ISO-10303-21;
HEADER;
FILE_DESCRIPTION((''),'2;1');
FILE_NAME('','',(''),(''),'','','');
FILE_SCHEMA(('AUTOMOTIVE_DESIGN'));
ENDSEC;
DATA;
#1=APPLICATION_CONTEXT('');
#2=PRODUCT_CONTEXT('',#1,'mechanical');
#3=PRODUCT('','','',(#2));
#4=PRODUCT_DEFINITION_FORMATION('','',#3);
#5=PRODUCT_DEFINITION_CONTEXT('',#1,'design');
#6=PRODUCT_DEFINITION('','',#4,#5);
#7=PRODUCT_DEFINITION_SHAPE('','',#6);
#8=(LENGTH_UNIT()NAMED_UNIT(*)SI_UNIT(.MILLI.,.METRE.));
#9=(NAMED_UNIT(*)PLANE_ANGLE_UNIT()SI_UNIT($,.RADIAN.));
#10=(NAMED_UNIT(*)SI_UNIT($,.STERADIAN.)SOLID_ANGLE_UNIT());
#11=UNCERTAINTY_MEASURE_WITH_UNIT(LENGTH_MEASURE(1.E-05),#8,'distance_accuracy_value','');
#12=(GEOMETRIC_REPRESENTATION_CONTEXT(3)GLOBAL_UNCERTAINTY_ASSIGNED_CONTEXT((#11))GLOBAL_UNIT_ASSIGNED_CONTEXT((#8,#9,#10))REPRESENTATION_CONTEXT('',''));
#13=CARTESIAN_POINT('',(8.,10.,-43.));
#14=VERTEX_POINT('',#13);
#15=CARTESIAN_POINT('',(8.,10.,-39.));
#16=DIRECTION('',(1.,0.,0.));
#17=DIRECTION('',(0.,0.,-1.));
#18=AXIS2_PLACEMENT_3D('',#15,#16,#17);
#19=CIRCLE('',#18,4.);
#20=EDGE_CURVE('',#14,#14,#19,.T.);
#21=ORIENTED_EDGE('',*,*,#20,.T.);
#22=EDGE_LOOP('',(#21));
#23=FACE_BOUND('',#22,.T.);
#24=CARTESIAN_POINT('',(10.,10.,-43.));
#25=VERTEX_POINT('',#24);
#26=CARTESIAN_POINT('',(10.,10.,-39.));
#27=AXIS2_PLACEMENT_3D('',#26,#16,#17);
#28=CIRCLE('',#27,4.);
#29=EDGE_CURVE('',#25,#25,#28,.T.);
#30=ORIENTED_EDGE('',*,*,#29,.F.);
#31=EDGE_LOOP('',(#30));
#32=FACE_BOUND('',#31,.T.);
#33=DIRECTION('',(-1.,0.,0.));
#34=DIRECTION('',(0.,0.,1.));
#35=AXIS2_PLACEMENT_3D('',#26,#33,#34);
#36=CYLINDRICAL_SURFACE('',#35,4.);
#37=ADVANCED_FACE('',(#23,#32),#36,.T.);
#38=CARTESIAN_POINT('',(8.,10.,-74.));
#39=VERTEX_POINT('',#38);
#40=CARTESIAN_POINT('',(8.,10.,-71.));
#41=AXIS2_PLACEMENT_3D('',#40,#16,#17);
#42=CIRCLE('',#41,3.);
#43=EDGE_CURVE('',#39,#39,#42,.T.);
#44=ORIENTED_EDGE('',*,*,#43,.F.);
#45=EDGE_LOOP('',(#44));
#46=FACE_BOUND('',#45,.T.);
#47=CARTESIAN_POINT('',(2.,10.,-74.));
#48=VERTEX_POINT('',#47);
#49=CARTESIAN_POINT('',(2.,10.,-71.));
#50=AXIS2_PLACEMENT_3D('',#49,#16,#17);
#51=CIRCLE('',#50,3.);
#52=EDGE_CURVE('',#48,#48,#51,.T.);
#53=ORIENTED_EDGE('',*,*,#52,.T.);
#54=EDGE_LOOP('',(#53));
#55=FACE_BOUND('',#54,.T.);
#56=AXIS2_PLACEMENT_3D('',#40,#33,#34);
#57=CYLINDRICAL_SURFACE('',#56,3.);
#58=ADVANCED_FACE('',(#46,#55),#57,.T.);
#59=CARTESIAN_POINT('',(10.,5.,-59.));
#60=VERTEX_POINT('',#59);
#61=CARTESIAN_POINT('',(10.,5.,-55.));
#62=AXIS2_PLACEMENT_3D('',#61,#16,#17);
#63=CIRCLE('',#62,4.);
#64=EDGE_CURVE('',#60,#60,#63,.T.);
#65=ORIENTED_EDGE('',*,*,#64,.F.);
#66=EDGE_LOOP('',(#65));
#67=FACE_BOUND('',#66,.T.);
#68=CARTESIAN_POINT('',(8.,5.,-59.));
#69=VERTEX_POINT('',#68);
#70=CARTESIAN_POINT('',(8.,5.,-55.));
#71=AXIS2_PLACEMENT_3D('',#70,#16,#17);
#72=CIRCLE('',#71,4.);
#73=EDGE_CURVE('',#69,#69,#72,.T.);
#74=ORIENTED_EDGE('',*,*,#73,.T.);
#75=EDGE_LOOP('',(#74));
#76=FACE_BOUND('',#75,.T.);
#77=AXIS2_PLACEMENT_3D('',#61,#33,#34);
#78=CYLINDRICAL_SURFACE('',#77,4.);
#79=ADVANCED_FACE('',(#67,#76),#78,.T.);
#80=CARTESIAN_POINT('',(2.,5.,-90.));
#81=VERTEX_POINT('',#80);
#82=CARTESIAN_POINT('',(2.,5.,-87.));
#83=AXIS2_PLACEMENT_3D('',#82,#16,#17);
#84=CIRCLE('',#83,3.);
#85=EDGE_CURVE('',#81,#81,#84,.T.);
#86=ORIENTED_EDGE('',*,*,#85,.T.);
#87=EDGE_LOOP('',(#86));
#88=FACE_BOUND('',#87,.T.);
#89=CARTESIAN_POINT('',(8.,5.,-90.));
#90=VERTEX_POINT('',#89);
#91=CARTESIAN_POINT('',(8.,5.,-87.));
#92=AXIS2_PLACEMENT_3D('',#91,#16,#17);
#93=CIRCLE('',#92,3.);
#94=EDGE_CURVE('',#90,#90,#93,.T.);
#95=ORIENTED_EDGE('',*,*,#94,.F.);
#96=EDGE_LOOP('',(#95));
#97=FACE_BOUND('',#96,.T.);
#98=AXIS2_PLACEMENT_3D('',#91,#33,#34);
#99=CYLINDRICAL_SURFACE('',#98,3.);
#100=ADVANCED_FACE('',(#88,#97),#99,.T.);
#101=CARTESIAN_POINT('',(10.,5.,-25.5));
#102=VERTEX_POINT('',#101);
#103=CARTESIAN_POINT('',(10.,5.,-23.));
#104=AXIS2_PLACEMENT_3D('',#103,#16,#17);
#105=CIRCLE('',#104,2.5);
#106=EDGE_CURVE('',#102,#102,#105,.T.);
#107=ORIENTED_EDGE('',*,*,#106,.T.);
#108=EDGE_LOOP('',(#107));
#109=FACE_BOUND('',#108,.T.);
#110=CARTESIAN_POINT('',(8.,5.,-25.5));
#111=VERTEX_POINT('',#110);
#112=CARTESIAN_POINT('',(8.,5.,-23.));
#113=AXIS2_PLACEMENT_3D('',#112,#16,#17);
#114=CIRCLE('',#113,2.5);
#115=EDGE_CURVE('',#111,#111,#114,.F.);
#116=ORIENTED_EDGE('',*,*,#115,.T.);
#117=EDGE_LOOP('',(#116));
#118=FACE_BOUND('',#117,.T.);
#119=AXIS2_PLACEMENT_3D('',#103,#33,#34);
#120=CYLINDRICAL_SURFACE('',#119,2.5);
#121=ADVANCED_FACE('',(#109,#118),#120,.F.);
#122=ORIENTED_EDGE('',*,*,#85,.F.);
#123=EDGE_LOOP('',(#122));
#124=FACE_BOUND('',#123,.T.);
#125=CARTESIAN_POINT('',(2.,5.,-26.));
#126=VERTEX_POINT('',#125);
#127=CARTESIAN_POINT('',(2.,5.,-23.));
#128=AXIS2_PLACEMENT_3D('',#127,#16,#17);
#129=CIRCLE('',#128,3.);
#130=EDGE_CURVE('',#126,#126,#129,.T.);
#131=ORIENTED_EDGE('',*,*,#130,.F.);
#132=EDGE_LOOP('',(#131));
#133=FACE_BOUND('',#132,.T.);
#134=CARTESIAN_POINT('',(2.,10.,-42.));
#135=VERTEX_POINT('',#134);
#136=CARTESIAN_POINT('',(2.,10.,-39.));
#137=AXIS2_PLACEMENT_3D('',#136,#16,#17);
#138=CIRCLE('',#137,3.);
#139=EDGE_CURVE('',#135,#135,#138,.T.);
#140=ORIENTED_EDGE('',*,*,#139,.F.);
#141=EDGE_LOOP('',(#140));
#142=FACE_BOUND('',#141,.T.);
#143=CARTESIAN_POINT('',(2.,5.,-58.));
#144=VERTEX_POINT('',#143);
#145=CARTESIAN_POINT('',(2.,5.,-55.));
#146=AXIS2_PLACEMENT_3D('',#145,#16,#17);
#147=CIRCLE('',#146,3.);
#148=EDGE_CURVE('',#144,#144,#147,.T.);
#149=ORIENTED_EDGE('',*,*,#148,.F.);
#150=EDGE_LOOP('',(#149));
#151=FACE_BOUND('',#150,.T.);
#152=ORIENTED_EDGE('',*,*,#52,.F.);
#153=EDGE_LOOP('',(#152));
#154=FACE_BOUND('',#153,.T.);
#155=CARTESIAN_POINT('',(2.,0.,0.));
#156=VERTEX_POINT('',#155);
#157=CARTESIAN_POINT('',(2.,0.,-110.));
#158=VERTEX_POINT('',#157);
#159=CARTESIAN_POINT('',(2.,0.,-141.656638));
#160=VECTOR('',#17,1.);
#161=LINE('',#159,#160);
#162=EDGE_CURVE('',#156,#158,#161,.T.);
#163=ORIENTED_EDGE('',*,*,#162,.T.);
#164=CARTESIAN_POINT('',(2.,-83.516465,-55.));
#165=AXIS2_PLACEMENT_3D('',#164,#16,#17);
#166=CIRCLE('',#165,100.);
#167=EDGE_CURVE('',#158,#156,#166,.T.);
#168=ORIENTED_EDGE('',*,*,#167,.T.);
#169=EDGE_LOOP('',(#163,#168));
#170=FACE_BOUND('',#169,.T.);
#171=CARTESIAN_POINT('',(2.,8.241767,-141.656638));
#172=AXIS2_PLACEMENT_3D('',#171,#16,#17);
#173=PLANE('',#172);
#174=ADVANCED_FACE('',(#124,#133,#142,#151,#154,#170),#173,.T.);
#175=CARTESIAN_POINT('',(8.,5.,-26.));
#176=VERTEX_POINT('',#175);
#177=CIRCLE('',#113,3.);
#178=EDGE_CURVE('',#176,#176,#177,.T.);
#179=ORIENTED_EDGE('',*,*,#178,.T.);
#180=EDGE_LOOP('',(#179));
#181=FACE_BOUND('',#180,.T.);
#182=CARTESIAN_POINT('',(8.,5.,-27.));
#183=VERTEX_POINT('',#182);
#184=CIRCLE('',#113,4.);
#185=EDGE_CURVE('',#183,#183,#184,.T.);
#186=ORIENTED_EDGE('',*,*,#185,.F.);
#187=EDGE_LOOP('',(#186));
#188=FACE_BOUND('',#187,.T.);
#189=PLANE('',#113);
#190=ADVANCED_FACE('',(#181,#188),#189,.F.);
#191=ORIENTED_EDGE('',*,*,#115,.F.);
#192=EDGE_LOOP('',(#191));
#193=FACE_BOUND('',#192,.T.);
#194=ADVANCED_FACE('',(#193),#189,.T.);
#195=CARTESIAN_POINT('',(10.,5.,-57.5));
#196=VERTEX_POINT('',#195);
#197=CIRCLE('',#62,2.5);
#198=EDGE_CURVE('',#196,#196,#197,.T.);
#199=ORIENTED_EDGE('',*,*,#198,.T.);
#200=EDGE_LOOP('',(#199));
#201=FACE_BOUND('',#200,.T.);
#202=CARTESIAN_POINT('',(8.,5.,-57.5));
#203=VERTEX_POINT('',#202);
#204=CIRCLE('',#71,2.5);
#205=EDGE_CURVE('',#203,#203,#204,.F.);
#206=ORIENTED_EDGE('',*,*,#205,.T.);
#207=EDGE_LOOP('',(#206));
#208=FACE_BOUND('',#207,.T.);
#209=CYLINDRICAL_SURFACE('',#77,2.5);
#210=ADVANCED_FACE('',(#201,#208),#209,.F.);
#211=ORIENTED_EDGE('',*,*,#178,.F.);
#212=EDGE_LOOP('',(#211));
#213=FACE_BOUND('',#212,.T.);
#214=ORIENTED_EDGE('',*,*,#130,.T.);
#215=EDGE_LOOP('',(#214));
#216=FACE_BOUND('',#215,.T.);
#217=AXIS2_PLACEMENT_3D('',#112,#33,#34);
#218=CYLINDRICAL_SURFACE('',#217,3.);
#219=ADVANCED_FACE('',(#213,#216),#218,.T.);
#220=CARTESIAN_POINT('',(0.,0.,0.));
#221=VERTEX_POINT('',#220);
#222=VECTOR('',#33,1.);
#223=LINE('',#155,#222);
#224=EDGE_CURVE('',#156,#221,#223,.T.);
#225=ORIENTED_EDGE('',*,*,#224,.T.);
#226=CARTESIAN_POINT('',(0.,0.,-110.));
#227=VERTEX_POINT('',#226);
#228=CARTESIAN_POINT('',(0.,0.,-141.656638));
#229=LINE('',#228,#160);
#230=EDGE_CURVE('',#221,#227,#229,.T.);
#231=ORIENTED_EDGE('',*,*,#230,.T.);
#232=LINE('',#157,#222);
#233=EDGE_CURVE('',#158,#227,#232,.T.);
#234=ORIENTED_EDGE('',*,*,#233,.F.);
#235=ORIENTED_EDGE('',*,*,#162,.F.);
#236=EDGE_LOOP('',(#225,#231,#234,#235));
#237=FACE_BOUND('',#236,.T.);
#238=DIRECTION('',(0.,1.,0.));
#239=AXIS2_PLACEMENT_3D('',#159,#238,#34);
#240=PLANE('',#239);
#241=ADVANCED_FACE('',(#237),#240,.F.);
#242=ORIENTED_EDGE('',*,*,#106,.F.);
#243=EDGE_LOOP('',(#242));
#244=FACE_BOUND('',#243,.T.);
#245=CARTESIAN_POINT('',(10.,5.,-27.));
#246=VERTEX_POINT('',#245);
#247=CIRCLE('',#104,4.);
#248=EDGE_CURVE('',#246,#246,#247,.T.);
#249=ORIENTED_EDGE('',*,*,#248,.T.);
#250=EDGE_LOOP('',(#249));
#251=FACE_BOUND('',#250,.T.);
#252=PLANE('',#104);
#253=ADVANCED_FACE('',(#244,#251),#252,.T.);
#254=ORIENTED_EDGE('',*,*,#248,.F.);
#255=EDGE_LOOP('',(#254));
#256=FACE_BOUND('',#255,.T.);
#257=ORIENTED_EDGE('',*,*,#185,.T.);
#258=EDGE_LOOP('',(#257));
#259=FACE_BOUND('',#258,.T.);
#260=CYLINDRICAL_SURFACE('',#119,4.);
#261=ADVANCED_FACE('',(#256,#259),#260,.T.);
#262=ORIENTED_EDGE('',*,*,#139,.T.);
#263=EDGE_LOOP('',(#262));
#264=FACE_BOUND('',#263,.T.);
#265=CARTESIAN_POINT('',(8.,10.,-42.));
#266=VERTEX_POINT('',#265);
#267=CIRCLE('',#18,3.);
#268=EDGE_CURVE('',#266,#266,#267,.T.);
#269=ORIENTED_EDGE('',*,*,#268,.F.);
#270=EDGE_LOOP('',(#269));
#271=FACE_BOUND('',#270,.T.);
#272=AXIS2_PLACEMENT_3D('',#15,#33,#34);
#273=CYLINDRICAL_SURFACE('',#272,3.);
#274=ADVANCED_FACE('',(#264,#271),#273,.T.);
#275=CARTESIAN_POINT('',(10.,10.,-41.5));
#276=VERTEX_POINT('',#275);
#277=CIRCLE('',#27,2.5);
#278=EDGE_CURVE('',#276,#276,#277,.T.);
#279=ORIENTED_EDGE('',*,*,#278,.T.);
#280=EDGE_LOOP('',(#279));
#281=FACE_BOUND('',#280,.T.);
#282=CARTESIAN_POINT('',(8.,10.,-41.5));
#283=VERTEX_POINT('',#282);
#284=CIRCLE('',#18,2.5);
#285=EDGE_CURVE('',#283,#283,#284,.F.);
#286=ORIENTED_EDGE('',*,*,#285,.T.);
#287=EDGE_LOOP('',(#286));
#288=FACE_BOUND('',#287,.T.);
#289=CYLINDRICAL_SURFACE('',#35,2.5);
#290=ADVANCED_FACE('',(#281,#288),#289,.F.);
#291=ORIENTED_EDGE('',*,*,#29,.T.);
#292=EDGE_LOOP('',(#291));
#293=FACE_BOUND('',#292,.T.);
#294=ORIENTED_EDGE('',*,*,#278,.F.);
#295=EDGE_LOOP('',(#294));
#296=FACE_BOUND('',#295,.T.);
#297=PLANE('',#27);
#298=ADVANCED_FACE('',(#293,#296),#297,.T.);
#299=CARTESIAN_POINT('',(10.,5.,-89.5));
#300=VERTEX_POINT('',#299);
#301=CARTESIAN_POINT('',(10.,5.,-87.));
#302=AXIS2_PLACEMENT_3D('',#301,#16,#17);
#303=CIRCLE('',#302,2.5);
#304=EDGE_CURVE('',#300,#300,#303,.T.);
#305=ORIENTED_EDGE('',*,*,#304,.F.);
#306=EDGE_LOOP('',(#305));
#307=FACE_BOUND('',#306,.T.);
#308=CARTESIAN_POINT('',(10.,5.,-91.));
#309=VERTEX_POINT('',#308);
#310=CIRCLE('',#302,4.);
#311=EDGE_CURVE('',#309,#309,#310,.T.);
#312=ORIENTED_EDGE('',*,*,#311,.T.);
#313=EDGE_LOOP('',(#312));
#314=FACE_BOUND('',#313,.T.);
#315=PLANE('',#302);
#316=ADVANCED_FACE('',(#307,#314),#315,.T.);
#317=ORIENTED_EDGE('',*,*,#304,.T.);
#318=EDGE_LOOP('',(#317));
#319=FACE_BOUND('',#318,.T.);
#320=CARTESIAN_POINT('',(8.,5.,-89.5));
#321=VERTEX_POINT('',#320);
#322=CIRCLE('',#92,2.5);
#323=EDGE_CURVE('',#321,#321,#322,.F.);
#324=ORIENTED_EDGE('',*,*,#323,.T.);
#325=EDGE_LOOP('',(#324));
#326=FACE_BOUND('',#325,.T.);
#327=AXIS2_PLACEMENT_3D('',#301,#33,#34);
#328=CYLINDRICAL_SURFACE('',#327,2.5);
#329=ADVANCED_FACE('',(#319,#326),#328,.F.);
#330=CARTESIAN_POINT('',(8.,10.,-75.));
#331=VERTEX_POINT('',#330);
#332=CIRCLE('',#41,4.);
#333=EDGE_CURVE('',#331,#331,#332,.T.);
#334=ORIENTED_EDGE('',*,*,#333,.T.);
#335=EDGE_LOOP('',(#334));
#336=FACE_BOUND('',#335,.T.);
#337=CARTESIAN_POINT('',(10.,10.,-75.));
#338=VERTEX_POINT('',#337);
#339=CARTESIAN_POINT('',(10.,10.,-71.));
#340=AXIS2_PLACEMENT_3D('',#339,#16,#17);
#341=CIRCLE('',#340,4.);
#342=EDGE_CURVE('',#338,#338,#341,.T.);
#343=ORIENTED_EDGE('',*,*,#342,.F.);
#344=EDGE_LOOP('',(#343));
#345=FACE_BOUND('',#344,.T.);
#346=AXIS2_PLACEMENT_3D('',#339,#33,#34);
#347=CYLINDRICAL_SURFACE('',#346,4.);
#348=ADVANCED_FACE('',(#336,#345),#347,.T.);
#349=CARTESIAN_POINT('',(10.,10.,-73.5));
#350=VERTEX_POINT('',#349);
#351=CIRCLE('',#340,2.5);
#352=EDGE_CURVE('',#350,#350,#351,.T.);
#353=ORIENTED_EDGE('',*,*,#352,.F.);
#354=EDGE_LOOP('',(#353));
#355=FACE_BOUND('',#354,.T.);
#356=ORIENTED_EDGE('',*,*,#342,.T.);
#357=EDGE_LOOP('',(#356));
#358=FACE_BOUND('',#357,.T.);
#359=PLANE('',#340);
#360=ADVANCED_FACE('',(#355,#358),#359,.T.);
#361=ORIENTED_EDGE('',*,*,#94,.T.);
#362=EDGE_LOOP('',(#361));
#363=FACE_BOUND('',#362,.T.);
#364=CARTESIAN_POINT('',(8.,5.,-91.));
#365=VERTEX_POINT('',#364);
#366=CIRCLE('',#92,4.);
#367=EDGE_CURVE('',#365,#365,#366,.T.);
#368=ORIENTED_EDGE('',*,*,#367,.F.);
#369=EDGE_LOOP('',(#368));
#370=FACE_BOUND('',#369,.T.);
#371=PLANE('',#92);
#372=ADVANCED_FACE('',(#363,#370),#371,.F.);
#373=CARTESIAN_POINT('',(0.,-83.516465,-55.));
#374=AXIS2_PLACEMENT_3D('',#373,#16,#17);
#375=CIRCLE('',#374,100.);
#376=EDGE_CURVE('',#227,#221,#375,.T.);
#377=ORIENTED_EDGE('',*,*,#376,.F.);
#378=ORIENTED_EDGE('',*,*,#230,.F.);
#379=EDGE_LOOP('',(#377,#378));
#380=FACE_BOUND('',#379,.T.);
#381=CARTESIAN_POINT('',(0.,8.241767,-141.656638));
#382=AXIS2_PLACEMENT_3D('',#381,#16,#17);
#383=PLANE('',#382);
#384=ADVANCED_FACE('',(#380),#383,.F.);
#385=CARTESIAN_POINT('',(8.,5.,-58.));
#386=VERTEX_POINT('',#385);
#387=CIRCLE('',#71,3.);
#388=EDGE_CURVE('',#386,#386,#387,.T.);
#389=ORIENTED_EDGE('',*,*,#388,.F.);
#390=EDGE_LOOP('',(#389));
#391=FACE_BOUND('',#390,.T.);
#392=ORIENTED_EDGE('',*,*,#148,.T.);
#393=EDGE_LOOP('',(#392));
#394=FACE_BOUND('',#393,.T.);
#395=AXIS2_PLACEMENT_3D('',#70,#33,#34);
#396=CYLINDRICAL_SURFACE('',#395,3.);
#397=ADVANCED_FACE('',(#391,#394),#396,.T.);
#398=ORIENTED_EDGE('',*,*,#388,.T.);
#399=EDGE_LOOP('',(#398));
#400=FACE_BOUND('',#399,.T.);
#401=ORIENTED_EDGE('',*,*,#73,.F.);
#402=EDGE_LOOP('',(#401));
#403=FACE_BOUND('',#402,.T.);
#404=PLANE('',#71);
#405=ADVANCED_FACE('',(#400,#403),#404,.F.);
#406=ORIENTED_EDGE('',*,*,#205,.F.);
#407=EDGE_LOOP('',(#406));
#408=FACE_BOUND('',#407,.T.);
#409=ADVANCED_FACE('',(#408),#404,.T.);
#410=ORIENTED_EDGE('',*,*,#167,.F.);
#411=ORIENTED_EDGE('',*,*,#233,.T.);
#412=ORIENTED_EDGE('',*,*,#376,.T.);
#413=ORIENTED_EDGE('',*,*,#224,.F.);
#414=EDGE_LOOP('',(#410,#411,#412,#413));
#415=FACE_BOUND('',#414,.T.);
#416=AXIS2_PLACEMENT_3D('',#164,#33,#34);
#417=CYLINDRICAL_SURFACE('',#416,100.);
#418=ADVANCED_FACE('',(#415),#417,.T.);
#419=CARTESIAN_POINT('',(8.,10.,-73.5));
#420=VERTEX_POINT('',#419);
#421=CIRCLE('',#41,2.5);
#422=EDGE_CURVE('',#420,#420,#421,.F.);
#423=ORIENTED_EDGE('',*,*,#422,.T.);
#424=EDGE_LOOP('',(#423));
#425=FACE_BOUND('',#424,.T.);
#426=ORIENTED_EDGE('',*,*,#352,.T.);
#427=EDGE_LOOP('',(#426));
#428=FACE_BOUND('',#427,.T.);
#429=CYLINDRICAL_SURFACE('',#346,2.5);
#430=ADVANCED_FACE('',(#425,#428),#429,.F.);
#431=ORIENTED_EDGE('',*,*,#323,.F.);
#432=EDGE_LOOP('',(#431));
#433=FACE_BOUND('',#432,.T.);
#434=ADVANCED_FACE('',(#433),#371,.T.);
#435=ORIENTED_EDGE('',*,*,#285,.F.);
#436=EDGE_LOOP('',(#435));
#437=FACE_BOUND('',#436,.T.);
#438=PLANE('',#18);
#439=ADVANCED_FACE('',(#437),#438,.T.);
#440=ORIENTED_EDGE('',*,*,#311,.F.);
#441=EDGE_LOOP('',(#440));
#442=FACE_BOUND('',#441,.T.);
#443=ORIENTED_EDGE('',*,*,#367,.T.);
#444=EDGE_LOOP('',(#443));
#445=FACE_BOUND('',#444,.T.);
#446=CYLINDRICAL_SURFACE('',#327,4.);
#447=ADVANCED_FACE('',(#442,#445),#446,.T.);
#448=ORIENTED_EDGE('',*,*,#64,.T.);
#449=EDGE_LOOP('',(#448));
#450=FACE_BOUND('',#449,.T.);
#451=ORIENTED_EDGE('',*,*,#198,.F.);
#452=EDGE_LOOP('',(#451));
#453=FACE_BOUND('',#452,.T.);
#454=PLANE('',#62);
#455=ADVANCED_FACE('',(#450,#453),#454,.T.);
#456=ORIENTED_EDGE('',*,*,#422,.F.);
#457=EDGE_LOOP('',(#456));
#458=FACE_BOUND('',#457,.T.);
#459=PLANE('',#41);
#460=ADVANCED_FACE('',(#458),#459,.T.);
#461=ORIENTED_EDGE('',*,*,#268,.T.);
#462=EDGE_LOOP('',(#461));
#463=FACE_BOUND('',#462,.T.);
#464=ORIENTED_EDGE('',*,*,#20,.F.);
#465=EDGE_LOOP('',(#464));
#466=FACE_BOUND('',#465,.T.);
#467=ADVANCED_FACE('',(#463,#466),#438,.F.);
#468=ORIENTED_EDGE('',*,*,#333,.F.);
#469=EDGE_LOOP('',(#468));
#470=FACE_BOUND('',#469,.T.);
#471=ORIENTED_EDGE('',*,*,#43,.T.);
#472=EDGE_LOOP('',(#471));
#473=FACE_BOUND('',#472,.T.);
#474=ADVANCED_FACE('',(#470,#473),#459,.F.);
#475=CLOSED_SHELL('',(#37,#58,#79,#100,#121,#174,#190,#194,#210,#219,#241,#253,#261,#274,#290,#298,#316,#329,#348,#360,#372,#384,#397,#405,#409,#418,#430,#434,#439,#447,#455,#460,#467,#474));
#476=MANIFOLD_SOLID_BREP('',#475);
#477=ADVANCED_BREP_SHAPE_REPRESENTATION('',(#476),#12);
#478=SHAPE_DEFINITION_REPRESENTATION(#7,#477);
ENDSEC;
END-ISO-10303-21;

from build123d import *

# Parameters (mm, degrees)
EXTRUDE_1_DEPTH = 2
SKETCH_2_R      = 3
EXTRUDE_2_DEPTH = 6
SKETCH_3_R      = 4
SKETCH_3_R_2    = 2.5
EXTRUDE_3_DEPTH = 2


with BuildPart() as part:
    # ｽｹｯﾁ1 → 押し出し1 (new body)
    with BuildSketch(Plane(origin=(0, 0, 0), x_dir=(0, 0, -1), z_dir=(1, 0, 0))):
        with BuildLine():
            ThreePointArc((55, 16.483534558), (26.291521673, 12.27405221), (0, 0))
            Line((0, 0), (55, 0))
            Line((55, 0), (55, 16.483534558))
        make_face()
        with BuildLine():
            Line((55, 16.483534558), (55, 0))
            Line((55, 0), (110, 0))
            ThreePointArc((110, 0), (83.708478327, 12.27405221), (55, 16.483534558))
        make_face()
    extrude(amount=EXTRUDE_1_DEPTH)

    # ｽｹｯﾁ2 → 押し出し2 (add)
    with BuildSketch(Plane(origin=(2, 0, 0), x_dir=(0, 0, -1), z_dir=(1, 0, 0))):
        with Locations((23, 5)):
            Circle(SKETCH_2_R)
        with Locations((39, 10)):
            Circle(SKETCH_2_R)
        with Locations((55, 5)):
            Circle(SKETCH_2_R)
        with Locations((71, 10)):
            Circle(SKETCH_2_R)
        with Locations((87, 5)):
            Circle(SKETCH_2_R)
    extrude(amount=EXTRUDE_2_DEPTH)

    # ｽｹｯﾁ3 → 押し出し3 (add)
    # profile 1 of 5: a face of its own
    with BuildSketch(Plane(origin=(8, 0, 0), x_dir=(0, 0, -1), z_dir=(1, 0, 0))):
        with Locations((23, 5)):
            Circle(SKETCH_3_R)
        with Locations((23, 5)):
            Circle(SKETCH_3_R_2, mode=Mode.SUBTRACT)
    # profile 2 of 5: a face of its own
    with BuildSketch(Plane(origin=(8, 0, 0), x_dir=(0, 0, -1), z_dir=(1, 0, 0))):
        with Locations((39, 10)):
            Circle(SKETCH_3_R)
        with Locations((39, 10)):
            Circle(SKETCH_3_R_2, mode=Mode.SUBTRACT)
    # profile 3 of 5: a face of its own
    with BuildSketch(Plane(origin=(8, 0, 0), x_dir=(0, 0, -1), z_dir=(1, 0, 0))):
        with Locations((55, 5)):
            Circle(SKETCH_3_R)
        with Locations((55, 5)):
            Circle(SKETCH_3_R_2, mode=Mode.SUBTRACT)
    # profile 4 of 5: a face of its own
    with BuildSketch(Plane(origin=(8, 0, 0), x_dir=(0, 0, -1), z_dir=(1, 0, 0))):
        with Locations((71, 10)):
            Circle(SKETCH_3_R)
        with Locations((71, 10)):
            Circle(SKETCH_3_R_2, mode=Mode.SUBTRACT)
    # profile 5 of 5: a face of its own
    with BuildSketch(Plane(origin=(8, 0, 0), x_dir=(0, 0, -1), z_dir=(1, 0, 0))):
        with Locations((87, 5)):
            Circle(SKETCH_3_R)
        with Locations((87, 5)):
            Circle(SKETCH_3_R_2, mode=Mode.SUBTRACT)
    extrude(amount=EXTRUDE_3_DEPTH)


solid = part.part
